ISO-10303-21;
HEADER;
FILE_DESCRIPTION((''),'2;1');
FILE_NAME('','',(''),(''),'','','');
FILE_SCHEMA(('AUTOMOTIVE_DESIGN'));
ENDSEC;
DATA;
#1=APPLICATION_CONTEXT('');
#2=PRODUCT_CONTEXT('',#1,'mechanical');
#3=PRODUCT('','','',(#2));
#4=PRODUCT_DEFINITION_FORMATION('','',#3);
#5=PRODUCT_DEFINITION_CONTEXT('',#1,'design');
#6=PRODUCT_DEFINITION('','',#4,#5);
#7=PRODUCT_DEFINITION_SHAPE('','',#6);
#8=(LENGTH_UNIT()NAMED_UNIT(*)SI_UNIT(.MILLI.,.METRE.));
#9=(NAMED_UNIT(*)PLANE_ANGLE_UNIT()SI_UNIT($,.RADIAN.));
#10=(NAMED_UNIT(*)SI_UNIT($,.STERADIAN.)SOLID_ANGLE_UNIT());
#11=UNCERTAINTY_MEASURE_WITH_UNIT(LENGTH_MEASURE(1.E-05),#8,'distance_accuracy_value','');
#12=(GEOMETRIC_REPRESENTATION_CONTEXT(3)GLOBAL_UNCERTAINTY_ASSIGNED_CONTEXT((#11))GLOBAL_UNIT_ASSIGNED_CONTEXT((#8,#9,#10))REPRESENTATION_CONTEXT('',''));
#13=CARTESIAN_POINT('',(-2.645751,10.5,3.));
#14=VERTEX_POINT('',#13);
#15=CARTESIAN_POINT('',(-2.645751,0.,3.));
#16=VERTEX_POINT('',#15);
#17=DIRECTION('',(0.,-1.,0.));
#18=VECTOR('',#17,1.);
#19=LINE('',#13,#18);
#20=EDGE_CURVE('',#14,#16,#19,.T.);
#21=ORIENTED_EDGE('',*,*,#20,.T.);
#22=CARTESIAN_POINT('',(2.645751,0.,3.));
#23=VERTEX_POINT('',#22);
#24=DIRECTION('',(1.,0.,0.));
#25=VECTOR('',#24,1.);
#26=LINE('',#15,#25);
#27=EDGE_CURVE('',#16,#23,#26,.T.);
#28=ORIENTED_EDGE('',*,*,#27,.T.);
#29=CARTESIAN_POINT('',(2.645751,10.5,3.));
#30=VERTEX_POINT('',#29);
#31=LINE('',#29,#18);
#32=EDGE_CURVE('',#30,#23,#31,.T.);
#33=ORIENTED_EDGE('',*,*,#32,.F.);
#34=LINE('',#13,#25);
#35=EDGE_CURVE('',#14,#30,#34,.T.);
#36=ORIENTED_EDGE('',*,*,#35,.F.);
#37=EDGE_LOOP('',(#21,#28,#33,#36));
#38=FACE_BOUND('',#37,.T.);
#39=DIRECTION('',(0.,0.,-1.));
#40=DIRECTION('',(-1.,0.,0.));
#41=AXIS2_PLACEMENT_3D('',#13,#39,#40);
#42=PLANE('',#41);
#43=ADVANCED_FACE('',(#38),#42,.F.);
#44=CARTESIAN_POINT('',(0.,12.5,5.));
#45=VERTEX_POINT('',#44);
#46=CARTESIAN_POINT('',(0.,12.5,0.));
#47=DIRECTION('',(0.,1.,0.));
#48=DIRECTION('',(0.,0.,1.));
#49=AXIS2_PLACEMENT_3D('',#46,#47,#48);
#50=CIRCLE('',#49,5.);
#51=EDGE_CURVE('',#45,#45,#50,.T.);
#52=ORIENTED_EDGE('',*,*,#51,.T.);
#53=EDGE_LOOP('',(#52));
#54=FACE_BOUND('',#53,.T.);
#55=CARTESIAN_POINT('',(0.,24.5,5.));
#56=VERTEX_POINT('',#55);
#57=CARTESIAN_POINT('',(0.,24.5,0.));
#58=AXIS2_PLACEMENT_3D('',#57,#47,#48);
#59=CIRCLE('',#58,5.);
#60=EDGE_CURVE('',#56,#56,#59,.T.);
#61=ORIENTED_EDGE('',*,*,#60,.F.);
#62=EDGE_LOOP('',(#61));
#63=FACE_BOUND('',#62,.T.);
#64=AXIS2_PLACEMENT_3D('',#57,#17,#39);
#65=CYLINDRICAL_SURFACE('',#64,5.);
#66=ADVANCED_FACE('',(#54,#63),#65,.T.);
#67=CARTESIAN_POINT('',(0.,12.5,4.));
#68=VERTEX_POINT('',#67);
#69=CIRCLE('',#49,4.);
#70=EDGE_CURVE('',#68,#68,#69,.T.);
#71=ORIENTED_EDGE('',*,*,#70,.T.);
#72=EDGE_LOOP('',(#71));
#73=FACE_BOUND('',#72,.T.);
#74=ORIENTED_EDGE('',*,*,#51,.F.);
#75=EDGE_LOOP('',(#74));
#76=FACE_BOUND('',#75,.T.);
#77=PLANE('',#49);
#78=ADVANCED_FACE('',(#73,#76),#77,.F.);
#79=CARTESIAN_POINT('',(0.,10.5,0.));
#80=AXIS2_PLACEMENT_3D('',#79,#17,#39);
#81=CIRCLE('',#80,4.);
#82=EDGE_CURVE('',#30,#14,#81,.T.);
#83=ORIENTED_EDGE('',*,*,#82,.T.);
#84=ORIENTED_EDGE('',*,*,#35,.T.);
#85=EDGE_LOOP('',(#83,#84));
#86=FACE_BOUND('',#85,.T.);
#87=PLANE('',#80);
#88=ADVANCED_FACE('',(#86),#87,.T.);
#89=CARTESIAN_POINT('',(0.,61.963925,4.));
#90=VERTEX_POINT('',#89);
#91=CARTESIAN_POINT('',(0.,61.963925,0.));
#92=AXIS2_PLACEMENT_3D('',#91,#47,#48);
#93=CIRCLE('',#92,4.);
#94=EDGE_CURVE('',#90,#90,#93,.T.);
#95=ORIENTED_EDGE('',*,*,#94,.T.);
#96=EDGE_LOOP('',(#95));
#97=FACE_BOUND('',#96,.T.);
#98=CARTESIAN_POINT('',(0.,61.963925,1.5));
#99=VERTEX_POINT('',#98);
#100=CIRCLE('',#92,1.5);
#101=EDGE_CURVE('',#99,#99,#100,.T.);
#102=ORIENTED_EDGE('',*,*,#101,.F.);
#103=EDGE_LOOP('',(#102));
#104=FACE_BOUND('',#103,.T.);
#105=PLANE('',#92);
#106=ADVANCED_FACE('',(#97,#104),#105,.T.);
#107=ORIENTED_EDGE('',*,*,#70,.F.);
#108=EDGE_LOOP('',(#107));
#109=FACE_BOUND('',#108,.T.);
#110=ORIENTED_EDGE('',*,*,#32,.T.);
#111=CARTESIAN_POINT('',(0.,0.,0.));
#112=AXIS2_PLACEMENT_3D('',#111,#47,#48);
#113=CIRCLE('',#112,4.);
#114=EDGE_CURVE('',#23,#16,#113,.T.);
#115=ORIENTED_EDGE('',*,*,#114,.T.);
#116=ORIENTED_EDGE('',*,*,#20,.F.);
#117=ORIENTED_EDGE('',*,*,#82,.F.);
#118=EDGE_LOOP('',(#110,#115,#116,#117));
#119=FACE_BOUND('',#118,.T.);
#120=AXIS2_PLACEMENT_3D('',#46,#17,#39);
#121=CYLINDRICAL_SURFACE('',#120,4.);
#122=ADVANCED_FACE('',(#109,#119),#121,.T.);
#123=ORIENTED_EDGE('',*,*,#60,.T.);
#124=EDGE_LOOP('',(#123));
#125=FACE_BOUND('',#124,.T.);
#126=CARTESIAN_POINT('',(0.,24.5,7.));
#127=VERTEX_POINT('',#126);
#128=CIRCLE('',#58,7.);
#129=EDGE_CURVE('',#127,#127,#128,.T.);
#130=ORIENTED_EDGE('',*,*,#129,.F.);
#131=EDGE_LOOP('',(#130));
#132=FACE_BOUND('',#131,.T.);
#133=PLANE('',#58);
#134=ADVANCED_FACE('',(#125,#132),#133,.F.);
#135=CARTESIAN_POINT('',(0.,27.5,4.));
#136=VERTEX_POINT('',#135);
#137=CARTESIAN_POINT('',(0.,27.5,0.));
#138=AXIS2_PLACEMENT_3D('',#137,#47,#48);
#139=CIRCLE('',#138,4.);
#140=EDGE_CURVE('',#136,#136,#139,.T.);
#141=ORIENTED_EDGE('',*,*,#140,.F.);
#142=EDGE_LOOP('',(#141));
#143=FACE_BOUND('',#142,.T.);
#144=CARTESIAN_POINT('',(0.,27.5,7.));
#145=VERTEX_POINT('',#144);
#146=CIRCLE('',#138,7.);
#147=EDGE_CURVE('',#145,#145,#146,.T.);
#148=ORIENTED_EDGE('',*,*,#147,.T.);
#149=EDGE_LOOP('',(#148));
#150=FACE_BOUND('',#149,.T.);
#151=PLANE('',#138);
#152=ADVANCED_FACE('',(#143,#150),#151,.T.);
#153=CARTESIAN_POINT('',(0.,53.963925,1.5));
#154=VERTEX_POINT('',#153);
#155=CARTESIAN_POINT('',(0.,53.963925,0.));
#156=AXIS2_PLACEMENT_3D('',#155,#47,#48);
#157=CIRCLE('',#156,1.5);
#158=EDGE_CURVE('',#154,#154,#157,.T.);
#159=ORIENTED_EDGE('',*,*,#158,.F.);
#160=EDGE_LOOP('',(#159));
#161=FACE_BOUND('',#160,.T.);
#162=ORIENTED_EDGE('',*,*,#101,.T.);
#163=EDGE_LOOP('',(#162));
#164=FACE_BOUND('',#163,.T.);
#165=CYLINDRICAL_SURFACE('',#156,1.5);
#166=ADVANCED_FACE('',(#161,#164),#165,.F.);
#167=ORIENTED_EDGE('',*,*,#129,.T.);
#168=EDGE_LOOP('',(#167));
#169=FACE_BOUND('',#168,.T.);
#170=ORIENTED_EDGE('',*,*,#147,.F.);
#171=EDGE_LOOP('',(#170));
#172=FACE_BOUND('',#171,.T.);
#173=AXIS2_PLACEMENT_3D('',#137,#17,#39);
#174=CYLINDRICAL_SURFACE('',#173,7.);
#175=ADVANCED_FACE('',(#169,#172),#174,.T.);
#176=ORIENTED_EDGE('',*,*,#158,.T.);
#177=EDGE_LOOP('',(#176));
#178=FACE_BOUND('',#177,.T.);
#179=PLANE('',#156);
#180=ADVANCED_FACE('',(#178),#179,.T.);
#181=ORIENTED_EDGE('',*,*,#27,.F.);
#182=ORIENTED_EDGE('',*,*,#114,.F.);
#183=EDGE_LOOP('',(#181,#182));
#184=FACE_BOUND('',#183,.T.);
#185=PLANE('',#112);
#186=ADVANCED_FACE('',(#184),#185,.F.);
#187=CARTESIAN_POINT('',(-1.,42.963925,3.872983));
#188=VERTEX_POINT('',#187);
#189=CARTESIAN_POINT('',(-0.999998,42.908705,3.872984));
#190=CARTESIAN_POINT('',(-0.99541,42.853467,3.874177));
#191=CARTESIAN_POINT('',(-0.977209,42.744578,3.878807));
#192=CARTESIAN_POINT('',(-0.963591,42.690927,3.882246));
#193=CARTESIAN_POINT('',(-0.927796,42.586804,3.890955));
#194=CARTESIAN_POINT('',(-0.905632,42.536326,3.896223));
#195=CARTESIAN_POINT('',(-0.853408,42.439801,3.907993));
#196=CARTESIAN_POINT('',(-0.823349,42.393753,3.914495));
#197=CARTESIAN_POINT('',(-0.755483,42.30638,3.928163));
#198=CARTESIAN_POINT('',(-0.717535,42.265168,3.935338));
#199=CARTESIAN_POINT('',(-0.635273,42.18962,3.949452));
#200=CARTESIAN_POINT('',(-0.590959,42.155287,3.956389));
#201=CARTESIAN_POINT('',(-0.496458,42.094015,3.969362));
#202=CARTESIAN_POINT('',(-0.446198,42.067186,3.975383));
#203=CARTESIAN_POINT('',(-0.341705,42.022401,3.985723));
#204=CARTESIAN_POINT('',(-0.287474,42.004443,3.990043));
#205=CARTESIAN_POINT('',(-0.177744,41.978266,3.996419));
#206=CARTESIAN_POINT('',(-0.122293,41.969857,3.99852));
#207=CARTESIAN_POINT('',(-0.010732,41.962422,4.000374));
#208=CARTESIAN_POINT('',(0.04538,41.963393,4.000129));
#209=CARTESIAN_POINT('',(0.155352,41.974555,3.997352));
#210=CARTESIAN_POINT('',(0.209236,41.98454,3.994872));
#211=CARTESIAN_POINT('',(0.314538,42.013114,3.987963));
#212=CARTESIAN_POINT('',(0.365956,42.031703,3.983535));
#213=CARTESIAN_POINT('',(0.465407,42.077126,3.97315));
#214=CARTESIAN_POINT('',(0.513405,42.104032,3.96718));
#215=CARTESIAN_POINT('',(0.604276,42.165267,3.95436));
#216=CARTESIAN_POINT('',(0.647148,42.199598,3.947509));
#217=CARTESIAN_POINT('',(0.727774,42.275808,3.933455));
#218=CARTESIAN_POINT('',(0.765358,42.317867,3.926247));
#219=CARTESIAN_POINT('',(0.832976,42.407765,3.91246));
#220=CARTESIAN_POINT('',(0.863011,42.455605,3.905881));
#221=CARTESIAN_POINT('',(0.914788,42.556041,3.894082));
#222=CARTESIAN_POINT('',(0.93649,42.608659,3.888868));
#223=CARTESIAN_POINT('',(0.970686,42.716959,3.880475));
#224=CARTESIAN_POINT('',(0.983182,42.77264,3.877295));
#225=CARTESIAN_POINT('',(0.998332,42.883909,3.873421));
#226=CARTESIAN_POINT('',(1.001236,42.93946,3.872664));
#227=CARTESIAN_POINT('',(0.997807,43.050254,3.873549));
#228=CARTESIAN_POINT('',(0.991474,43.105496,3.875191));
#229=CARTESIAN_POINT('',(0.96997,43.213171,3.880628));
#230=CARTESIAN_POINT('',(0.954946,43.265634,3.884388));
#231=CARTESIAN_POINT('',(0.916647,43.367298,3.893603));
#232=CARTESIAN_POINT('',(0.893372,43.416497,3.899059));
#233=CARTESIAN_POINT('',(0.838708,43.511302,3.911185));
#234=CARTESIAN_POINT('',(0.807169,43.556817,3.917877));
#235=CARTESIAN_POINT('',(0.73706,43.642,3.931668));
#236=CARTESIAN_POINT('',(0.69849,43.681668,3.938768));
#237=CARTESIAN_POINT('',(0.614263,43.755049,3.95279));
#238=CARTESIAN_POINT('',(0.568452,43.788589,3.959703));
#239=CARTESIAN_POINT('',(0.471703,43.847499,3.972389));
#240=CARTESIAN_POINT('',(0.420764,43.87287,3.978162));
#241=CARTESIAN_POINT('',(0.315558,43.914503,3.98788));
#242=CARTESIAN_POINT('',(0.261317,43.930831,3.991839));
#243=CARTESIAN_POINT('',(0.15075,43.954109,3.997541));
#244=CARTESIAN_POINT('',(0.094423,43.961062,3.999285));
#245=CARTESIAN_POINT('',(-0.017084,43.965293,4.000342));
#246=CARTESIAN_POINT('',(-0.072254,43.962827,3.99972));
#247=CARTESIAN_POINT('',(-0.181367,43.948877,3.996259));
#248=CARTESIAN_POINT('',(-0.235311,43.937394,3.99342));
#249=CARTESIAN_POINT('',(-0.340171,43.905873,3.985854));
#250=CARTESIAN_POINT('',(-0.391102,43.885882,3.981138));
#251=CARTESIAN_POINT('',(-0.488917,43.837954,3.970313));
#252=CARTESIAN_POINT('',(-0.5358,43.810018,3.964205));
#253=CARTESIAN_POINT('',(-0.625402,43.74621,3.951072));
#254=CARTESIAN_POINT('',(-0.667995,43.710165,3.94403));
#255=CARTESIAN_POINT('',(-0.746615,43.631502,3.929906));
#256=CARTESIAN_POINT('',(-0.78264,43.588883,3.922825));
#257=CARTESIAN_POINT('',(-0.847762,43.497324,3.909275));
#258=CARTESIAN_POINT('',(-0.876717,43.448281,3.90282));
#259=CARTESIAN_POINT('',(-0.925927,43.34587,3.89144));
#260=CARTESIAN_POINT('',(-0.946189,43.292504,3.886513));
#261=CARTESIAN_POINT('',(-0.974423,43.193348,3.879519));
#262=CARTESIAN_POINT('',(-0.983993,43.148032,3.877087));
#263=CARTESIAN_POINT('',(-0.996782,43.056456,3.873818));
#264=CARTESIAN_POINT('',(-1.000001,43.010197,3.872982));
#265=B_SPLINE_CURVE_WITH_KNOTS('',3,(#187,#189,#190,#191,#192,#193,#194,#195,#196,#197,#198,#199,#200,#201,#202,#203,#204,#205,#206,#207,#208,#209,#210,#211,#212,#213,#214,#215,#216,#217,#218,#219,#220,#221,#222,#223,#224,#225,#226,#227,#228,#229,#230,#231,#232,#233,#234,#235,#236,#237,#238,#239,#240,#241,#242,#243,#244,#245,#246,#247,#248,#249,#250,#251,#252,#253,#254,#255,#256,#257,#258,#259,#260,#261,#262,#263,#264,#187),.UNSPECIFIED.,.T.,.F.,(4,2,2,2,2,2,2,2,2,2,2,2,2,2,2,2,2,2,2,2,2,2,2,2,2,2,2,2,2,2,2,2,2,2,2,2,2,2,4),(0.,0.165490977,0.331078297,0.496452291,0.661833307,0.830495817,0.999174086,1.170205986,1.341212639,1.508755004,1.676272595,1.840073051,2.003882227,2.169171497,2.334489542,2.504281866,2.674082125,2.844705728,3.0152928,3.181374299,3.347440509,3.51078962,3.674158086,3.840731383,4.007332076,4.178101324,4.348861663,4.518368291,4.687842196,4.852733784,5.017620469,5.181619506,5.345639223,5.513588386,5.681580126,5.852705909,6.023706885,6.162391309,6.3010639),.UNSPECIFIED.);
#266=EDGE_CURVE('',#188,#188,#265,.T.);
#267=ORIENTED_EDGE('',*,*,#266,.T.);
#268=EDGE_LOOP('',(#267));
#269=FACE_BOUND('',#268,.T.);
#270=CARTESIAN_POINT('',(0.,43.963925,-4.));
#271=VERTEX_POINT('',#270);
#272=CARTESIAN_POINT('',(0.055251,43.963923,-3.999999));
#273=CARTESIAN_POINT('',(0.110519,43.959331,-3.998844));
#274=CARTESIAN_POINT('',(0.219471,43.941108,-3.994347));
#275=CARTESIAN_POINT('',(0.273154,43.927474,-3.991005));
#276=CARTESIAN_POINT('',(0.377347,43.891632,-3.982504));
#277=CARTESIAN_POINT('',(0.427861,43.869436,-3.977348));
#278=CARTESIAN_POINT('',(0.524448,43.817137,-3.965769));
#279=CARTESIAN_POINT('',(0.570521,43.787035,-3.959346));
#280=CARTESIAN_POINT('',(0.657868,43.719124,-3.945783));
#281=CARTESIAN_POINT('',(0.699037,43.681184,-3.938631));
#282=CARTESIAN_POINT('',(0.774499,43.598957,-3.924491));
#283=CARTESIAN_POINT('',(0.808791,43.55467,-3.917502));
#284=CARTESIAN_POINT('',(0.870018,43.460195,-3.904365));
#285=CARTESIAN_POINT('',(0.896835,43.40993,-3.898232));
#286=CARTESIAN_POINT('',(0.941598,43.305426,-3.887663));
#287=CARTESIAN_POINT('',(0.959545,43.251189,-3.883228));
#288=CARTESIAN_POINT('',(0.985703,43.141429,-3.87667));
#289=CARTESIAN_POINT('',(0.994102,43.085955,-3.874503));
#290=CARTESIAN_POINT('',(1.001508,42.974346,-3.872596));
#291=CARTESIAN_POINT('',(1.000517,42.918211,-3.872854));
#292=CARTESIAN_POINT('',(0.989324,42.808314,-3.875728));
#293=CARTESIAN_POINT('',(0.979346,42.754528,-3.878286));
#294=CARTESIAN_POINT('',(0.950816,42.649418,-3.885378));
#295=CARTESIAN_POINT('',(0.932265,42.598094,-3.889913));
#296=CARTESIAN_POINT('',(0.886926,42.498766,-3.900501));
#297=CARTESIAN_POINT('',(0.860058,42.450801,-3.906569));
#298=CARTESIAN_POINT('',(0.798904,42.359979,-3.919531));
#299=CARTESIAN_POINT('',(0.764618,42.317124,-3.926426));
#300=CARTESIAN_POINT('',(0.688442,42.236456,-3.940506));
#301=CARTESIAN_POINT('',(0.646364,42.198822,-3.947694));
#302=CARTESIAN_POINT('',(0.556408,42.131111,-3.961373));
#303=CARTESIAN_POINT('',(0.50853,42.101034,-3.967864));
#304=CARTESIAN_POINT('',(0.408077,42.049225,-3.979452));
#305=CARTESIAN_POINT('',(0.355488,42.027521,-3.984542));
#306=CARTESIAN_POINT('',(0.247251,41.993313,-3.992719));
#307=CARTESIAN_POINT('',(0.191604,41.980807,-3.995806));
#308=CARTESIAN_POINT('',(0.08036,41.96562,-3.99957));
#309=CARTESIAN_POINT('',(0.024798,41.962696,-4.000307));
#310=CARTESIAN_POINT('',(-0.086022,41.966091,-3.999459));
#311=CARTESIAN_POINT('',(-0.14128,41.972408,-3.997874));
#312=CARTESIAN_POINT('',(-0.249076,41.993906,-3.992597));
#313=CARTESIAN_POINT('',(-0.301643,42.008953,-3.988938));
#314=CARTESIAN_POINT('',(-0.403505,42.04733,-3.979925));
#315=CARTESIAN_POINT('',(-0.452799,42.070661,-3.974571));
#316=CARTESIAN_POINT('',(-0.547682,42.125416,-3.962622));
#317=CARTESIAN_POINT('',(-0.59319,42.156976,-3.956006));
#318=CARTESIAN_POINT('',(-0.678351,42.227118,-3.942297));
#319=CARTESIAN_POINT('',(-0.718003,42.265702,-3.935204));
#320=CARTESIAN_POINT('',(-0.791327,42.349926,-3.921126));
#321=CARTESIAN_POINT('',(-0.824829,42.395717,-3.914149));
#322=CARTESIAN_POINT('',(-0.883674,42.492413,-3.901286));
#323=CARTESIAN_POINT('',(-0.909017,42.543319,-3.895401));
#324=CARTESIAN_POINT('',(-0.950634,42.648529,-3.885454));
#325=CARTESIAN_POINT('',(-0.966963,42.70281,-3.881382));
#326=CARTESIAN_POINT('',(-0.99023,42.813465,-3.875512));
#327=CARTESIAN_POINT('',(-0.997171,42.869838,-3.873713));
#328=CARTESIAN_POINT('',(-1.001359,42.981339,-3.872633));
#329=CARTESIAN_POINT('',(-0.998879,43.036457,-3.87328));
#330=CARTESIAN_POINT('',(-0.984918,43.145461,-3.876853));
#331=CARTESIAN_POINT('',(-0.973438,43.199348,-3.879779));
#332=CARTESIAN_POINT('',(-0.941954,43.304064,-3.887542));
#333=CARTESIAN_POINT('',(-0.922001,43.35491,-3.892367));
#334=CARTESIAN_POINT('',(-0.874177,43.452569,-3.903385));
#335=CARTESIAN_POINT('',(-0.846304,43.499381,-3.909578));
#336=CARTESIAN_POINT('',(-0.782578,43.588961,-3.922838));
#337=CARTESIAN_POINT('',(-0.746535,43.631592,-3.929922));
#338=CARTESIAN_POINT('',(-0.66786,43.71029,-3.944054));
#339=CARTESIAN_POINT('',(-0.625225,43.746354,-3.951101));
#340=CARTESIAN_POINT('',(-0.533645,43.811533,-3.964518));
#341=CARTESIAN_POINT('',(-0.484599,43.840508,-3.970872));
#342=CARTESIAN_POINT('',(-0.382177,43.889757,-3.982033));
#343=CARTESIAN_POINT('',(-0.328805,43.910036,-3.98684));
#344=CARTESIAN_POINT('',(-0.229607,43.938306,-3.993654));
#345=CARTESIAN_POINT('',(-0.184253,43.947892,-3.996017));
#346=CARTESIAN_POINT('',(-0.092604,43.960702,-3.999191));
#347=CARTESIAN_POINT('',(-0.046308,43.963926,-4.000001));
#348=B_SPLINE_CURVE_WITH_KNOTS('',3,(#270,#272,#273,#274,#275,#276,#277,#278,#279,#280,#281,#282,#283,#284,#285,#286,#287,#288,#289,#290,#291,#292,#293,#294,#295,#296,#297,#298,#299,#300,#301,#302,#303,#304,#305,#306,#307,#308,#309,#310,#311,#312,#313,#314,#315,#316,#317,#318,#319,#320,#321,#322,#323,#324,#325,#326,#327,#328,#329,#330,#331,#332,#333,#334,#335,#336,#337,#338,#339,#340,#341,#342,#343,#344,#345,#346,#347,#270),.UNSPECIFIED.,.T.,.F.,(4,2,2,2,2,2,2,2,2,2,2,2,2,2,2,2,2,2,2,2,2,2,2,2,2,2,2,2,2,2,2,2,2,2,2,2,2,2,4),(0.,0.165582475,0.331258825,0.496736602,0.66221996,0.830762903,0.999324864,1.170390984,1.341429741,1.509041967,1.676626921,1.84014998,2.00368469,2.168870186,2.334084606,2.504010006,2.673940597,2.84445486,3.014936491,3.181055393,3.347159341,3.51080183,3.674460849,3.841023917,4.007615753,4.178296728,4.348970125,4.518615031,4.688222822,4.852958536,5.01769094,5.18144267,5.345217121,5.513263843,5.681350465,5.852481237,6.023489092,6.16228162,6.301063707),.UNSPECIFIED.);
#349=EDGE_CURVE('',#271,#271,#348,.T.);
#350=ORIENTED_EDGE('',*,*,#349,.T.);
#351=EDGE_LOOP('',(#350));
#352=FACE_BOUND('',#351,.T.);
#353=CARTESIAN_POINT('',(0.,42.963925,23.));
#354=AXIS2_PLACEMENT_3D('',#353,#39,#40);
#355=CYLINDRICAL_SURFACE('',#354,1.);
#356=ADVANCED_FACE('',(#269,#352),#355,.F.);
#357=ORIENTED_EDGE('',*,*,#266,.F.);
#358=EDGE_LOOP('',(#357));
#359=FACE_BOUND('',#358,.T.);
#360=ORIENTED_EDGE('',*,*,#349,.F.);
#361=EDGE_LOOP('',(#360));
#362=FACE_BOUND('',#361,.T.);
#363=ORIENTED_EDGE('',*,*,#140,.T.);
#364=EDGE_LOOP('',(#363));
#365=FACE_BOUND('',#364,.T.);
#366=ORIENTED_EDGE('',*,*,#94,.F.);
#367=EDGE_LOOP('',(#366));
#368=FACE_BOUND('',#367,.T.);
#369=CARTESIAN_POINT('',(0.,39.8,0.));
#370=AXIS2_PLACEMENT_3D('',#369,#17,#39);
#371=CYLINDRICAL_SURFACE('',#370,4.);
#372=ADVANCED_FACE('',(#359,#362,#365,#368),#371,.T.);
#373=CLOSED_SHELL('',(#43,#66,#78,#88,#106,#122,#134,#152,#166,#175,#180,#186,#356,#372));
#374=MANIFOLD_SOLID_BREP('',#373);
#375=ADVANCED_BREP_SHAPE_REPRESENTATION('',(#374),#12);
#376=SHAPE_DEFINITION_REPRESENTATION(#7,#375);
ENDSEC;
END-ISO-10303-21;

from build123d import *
from build123d.topology import SkipClean

# Parameters (mm, degrees)
SKETCH1_R                    = 4
COUPLER_SECTION_DEPTH        = 12.5
SKETCH3_R                    = 5
BEARING_SECTION_DEPTH        = 12
SKETCH4_R                    = 7
BEARING_STOP_DEPTH           = 3
SKETCH5_R                    = 4
SMALL_SEAL_SECTION_DEPTH     = 12.3
SET_SCREW_FLAT_SECTION_DEPTH = 10.5
SKETCH7_R                    = 4
IMPELLER_SECTION_DEPTH       = 22.163925
SKETCH8_R                    = 1.5
CUT_EXTRUDE1_DEPTH           = 8
CUT_EXTRUDE2_DEPTH           = 23
CUT_EXTRUDE2_DEPTH_BACK      = 23
SKETCH9_R                    = 1


with BuildPart() as part:
    # Sketch1 → coupler section (new body)
    with BuildSketch(Plane(origin=(0, 0, 0), x_dir=(1, 0, 0), z_dir=(0, 1, 0))):
        with Locations(Location((0, 0, 0), (0, 0, 270))):
            Circle(SKETCH1_R)
    extrude(amount=COUPLER_SECTION_DEPTH)

    # Sketch3 → bearing section (add)
    with BuildSketch(Plane(origin=(0, 12.5, 0), x_dir=(1, 0, 0), z_dir=(0, 1, 0))):
        with Locations(Location((0, 0, 0), (0, 0, 270))):
            Circle(SKETCH3_R)
    extrude(amount=BEARING_SECTION_DEPTH)

    # Sketch4 → bearing stop (add)
    with BuildSketch(Plane(origin=(0, 24.5, 0), x_dir=(1, 0, 0), z_dir=(0, 1, 0))):
        with Locations(Location((0, 0, 0), (0, 0, 270))):
            Circle(SKETCH4_R)
    extrude(amount=BEARING_STOP_DEPTH)

    # Sketch5 → small seal section (add)
    with BuildSketch(Plane(origin=(0, 27.5, 0), x_dir=(1, 0, 0), z_dir=(0, 1, 0))):
        with Locations(Location((0, 0, 0), (0, 0, 270))):
            Circle(SKETCH5_R)
    extrude(amount=SMALL_SEAL_SECTION_DEPTH)

    # Sketch6 → set screw flat section (cut)
    with BuildSketch(Plane.XZ):
        with BuildLine():
            Line((-2.645751311, 3), (2.645751311, 3))
            ThreePointArc((2.645751311, 3), (0, 4), (-2.645751311, 3))
        make_face()
    extrude(amount=-SET_SCREW_FLAT_SECTION_DEPTH, mode=Mode.SUBTRACT)

    # Sketch7 → impeller section (add)
    with BuildSketch(Plane(origin=(0, 39.8, 0), x_dir=(1, 0, 0), z_dir=(0, 1, 0))):
        with Locations(Location((0, 0, 0), (0, 0, 311.409622109))):
            Circle(SKETCH7_R)
    extrude(amount=IMPELLER_SECTION_DEPTH)

    # Sketch8 → Cut-Extrude1 (cut)
    with BuildSketch(Plane(origin=(0, 61.963925, 0), x_dir=(1, 0, 0), z_dir=(0, 1, 0))):
        with Locations(Location((0, 0, 0), (0, 0, 270))):
            Circle(SKETCH8_R)
    extrude(amount=-CUT_EXTRUDE1_DEPTH, mode=Mode.SUBTRACT)

    # Sketch9 → Cut-Extrude2 (cut, two sides: drawn at the far end of the back side and taken through both)
    with SkipClean():  # the faces are left unmerged after this step: merging them gives an invalid solid
        with BuildSketch(Plane.XY.offset(-CUT_EXTRUDE2_DEPTH_BACK)):
            with Locations(Location((0, 42.963925, 0), (0, 0, 89.999999996))):
                Circle(SKETCH9_R)
        extrude(amount=CUT_EXTRUDE2_DEPTH + CUT_EXTRUDE2_DEPTH_BACK, mode=Mode.SUBTRACT)


solid = part.part
